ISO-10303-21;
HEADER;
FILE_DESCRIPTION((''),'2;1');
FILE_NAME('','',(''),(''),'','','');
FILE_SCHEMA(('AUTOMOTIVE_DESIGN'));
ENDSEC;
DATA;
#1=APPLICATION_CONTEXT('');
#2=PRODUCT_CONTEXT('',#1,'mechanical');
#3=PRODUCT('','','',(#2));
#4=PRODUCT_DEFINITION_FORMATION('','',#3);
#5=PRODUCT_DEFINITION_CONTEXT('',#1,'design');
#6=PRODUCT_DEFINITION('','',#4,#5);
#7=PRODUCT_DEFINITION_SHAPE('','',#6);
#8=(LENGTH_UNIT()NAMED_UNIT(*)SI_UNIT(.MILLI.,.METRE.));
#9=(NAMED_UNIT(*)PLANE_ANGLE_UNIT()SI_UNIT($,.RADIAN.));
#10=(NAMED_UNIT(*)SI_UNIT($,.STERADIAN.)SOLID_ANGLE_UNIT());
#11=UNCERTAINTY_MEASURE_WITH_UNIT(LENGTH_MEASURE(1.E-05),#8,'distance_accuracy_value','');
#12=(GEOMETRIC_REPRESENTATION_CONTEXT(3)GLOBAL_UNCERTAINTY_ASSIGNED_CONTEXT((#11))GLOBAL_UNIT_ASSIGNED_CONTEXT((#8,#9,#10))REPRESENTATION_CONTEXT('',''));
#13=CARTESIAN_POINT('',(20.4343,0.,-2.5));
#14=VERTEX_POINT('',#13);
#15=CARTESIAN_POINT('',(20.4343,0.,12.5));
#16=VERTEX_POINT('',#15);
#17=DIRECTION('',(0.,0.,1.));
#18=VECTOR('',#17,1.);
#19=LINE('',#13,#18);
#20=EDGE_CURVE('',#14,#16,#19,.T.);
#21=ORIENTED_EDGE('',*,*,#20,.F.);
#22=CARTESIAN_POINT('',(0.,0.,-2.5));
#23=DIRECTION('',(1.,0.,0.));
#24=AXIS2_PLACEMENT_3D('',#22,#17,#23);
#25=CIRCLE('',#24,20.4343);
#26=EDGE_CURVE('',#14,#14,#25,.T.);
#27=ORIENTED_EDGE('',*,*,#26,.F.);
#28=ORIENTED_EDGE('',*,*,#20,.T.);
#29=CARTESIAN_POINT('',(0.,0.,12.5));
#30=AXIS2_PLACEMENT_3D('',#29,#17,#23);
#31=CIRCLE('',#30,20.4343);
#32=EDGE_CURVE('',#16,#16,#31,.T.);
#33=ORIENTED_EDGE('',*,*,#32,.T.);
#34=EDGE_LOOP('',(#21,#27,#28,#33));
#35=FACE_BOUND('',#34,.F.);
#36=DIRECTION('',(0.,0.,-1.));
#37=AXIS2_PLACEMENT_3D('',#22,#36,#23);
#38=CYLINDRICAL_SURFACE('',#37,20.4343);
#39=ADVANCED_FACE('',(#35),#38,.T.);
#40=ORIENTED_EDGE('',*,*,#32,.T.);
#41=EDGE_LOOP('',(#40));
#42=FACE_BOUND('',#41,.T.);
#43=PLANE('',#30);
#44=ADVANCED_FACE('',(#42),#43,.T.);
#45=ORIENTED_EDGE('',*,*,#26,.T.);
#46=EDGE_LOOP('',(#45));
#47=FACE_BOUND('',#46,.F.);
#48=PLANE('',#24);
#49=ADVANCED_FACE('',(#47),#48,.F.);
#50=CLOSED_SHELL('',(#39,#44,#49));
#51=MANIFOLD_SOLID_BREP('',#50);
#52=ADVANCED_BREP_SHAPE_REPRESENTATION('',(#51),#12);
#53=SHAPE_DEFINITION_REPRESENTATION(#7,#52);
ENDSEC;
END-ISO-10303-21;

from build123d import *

# Parameters (mm, degrees)
CYLINDER_R     = 20.4343
CYLINDER_DEPTH = 15


with BuildPart() as part:
    # Cylinder → Cylinder (new body)
    with BuildSketch(Plane.XY.offset(-2.5)):
        Circle(CYLINDER_R)
    extrude(amount=CYLINDER_DEPTH)


solid = part.part
